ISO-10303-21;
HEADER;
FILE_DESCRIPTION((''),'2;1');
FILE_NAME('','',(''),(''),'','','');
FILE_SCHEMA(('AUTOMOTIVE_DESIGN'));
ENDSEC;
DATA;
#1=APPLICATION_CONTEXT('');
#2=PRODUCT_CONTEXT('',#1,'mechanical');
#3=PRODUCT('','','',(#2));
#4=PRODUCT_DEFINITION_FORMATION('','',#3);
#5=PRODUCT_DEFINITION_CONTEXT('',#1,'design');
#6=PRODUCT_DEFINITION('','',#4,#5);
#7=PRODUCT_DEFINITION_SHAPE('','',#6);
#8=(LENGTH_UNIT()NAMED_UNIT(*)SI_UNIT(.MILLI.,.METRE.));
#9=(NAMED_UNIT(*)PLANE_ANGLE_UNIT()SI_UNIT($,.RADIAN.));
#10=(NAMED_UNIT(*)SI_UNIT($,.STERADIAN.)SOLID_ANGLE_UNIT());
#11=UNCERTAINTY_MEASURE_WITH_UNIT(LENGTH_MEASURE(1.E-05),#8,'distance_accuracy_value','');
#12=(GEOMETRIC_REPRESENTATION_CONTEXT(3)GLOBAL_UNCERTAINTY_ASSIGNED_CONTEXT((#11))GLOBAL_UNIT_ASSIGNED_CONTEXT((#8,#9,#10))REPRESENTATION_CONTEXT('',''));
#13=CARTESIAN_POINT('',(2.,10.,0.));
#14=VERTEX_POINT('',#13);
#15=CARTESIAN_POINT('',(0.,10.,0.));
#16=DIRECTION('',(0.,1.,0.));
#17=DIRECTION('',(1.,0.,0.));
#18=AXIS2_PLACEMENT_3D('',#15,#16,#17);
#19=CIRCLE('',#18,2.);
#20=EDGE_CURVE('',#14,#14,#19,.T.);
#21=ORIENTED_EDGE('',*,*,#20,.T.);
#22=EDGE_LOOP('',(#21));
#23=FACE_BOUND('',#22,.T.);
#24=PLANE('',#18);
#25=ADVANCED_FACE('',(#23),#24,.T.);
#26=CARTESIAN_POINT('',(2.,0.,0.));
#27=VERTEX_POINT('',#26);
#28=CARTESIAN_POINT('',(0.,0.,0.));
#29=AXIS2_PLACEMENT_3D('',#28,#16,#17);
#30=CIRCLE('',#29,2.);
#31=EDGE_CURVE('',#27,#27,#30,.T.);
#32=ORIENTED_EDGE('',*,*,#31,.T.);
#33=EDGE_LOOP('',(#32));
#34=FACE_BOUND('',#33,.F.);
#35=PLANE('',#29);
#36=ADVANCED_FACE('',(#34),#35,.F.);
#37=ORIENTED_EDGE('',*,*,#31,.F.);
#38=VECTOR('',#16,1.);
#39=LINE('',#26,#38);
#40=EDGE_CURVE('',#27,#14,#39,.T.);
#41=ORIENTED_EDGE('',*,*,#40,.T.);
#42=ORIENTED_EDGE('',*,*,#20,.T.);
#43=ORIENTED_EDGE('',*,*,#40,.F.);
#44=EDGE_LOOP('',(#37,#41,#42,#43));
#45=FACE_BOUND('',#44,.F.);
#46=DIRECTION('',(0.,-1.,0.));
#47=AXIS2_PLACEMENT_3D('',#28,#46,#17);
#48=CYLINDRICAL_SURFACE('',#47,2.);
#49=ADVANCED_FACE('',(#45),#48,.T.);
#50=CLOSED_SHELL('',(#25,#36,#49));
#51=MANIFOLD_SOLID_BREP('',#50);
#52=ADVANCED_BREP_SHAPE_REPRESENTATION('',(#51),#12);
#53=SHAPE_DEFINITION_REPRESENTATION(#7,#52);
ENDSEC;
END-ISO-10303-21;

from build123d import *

# Parameters (mm, degrees)
SKETCH1_R  = 2
BASE_DEPTH = 10


with BuildPart() as part:
    # Sketch1 → base (new body)
    with BuildSketch(Plane(origin=(0, 0, 0), x_dir=(1, 0, 0), z_dir=(0, 1, 0))):
        Circle(SKETCH1_R)
    extrude(amount=BASE_DEPTH)


solid = part.part
